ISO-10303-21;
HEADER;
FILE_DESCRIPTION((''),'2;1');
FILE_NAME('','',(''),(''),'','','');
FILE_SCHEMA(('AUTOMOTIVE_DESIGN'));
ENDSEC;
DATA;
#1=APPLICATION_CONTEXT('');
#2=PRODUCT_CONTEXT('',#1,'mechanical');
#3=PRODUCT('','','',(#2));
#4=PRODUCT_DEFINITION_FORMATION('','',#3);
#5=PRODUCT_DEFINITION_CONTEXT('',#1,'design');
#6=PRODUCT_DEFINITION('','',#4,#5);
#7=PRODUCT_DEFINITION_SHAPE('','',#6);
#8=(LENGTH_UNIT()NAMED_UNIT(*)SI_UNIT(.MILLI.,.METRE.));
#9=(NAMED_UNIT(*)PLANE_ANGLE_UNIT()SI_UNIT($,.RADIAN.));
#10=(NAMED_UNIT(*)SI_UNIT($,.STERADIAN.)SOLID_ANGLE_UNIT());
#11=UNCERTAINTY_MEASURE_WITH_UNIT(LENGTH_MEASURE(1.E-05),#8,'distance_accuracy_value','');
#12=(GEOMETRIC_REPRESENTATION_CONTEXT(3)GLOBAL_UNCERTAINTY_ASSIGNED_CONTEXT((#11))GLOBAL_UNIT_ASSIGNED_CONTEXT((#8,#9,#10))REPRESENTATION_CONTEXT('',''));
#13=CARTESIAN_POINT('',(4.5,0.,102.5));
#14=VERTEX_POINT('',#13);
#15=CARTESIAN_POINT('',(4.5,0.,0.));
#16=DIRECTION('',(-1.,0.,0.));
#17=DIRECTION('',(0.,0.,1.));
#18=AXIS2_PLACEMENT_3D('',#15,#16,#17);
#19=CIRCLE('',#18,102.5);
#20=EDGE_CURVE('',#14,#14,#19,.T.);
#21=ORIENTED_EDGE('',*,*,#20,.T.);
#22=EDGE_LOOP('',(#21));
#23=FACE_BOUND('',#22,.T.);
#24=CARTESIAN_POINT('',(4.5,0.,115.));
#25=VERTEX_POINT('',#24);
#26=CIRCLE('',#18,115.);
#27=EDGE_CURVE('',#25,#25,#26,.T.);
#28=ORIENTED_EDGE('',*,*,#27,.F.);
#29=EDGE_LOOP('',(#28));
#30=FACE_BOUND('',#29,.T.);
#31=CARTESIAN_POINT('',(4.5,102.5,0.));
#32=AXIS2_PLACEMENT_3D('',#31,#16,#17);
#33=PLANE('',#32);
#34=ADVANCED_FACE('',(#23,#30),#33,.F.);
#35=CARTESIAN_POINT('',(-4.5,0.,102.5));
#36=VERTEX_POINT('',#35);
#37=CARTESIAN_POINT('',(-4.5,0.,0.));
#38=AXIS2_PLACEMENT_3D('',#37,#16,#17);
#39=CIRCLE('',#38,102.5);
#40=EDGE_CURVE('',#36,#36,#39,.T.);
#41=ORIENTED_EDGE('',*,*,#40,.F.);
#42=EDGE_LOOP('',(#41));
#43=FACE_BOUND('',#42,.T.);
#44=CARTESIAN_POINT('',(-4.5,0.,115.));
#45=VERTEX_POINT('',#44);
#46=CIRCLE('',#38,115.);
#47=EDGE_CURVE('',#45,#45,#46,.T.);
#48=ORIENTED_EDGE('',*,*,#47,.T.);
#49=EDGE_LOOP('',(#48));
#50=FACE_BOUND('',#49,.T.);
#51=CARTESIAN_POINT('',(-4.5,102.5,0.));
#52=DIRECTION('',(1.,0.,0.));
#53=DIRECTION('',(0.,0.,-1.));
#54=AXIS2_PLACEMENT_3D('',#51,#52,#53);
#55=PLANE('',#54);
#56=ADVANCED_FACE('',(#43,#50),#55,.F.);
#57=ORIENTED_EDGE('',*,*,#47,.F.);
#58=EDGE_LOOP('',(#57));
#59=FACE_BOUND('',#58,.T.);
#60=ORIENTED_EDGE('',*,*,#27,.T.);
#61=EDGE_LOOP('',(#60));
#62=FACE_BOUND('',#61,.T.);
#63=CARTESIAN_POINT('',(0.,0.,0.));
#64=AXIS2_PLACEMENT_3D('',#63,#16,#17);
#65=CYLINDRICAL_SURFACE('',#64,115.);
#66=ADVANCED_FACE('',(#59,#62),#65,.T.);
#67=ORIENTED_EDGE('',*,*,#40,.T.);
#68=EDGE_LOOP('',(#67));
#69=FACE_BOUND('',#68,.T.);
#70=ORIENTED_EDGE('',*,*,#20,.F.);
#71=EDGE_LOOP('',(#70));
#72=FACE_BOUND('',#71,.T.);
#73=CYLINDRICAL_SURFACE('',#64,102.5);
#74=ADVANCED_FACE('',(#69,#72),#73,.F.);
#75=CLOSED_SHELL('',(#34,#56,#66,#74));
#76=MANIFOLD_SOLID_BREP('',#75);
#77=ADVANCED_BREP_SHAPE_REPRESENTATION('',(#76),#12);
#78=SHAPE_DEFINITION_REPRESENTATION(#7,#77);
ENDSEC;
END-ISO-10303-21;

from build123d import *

# Parameters (mm, degrees)
SKETCH1_W = 9
SKETCH1_H = 12.5


with BuildPart() as part:
    # Sketch1 → Revolve1 (revolve)
    with BuildSketch(Plane.XY):
        with Locations((0, 108.75)):
            Rectangle(SKETCH1_W, SKETCH1_H)
    revolve(axis=Axis((0, 0, 0), (1, 0, 0)))


solid = part.part
